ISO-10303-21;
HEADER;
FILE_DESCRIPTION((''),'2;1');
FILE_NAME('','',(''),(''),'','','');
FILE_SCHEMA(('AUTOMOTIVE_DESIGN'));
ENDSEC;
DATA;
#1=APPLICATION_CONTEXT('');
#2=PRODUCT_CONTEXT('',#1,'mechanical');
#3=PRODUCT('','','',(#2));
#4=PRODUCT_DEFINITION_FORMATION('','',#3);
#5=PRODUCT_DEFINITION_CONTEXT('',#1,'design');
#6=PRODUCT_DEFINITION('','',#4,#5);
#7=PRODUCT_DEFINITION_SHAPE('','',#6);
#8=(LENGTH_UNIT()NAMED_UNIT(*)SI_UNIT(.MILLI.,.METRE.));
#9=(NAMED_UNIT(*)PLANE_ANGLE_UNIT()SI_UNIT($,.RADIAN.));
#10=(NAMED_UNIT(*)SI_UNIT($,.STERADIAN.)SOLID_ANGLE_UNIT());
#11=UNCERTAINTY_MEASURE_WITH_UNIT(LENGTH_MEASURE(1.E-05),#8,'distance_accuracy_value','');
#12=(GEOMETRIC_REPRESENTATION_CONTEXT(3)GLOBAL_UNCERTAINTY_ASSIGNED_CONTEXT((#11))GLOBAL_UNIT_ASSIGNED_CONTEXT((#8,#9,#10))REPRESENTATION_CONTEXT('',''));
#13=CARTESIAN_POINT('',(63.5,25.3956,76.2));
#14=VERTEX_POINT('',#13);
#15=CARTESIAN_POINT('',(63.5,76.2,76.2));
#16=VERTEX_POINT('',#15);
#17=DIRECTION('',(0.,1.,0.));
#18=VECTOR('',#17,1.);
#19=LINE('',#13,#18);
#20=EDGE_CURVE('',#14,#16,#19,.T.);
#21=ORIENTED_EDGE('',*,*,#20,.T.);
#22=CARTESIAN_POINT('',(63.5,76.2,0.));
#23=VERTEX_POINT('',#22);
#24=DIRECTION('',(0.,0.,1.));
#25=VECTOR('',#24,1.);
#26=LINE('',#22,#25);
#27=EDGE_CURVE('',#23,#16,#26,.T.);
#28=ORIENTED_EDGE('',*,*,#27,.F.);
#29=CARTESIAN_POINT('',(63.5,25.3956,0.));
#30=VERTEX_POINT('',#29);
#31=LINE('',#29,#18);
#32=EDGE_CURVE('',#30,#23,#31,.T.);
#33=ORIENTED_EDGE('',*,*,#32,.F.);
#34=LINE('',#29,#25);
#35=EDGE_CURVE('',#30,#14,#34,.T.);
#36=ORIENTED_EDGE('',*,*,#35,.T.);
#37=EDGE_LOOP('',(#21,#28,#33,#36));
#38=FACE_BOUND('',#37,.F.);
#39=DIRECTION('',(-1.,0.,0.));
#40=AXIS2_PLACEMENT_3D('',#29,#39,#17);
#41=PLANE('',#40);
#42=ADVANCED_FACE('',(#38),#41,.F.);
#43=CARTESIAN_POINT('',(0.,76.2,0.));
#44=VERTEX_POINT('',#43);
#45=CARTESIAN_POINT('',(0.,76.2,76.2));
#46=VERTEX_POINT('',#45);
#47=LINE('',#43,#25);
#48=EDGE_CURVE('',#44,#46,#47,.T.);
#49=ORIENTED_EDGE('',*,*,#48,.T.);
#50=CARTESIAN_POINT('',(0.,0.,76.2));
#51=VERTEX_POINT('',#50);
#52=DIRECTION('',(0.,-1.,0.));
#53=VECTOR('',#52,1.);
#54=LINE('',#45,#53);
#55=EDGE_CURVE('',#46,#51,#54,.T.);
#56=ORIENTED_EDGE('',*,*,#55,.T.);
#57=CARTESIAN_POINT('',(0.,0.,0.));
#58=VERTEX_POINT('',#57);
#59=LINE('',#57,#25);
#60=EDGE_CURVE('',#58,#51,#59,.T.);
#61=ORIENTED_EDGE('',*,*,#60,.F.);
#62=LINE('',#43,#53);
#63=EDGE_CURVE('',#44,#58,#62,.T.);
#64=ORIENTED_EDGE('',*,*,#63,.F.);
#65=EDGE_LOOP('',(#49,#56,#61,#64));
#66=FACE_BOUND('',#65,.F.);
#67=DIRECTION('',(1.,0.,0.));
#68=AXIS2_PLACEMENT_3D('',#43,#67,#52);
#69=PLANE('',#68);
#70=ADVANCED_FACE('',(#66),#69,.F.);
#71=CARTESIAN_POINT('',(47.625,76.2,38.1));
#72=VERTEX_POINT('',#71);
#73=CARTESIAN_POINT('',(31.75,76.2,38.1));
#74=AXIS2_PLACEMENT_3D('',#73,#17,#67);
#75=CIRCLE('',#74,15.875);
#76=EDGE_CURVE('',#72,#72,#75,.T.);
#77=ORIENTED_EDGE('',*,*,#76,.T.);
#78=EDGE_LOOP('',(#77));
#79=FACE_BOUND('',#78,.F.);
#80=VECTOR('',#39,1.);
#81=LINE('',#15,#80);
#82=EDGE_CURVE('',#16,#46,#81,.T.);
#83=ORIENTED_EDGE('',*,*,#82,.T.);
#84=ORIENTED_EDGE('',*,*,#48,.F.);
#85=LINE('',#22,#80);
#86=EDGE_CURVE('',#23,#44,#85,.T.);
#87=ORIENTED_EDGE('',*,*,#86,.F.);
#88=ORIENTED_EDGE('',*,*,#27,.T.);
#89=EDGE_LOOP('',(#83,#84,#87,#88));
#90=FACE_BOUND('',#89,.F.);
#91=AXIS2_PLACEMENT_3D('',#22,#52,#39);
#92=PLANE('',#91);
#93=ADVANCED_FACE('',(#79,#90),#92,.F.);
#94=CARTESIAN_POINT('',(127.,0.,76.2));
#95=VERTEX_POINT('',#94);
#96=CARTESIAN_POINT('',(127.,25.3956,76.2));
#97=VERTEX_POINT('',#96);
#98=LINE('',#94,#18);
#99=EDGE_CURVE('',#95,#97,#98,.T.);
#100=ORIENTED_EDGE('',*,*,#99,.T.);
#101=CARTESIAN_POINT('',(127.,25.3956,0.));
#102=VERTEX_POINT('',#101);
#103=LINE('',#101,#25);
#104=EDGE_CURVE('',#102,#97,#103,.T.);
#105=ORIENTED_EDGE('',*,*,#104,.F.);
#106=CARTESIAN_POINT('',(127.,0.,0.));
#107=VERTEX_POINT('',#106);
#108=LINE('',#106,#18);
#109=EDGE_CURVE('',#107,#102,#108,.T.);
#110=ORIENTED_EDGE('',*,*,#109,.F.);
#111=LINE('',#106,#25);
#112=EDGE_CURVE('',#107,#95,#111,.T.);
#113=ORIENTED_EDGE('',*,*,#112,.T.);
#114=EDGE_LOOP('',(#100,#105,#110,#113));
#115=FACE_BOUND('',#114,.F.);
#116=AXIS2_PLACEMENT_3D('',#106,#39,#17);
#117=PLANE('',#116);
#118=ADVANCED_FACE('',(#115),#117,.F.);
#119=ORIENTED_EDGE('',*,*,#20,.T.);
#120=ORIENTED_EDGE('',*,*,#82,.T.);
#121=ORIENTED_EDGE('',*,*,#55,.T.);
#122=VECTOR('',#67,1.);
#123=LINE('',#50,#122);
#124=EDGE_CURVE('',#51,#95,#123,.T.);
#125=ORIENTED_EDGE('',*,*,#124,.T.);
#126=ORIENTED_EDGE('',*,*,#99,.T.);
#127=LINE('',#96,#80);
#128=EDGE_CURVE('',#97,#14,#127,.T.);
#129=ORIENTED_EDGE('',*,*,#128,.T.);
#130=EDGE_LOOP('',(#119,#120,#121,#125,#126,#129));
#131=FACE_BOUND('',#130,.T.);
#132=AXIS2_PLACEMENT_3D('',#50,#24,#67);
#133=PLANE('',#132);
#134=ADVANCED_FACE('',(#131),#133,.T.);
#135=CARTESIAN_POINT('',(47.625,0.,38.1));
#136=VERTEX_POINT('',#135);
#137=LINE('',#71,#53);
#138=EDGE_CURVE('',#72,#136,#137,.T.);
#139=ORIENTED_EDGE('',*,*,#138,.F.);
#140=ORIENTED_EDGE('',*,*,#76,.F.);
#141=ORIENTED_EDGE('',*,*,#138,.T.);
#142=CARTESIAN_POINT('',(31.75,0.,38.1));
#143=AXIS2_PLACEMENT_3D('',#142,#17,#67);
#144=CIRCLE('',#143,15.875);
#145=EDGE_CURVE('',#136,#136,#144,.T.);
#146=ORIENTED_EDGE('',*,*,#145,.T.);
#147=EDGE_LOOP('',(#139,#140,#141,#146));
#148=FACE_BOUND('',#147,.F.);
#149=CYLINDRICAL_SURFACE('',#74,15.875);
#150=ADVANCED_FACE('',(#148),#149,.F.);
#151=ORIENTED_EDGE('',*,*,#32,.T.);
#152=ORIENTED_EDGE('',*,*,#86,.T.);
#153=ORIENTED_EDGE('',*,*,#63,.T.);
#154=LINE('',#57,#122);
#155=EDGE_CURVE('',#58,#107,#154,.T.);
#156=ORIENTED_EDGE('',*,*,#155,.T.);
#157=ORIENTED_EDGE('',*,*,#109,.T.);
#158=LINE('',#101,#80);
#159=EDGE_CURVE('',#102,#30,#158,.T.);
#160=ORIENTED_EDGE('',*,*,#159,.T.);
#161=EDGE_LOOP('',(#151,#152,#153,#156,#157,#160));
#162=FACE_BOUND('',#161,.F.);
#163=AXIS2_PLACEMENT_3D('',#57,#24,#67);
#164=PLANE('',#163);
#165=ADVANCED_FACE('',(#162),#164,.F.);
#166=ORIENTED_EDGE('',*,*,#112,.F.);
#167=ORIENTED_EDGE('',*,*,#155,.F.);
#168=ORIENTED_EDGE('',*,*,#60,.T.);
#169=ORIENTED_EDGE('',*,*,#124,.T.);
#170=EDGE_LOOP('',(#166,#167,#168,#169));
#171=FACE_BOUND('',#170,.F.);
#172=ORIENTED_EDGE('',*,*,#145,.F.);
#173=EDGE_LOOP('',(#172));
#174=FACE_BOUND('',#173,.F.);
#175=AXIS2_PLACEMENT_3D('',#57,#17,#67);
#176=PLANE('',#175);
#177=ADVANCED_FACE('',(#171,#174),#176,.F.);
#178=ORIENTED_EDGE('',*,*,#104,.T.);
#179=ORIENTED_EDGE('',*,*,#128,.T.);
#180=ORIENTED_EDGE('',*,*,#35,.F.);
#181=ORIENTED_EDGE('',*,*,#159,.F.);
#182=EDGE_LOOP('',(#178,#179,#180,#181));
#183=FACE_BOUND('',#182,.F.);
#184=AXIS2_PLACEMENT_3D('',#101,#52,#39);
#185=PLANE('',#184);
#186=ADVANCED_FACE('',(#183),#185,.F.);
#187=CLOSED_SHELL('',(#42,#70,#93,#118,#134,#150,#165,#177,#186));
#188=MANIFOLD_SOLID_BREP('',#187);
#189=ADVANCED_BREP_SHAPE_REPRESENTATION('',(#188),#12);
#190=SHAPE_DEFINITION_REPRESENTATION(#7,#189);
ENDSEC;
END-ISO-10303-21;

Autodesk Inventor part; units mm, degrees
ref_plane "YZ Plane" through (0, 0, 0) normal (1, 0, 0) x (0, 1, 0)
ref_plane "XZ Plane" through (0, 0, 0) normal (0, 1, 0) x (-1, 0, 0)
ref_plane "XY Plane" through (0, 0, 0) normal (0, 0, 1) x (1, 0, 0)
sketch "Sketch1" plane through (0, 0, 0) normal (0, 0, 1) x (1, 0, 0)
  line L0 (0, 0) -> (127, 0)
  line L1 (127, 0) -> (127, 25.3956)
  line L2 (127, 25.3956) -> (63.5, 25.3956)
  line L3 (63.5, 25.3956) -> (63.5, 76.2)
  line L4 (63.5, 76.2) -> (0, 76.2)
  line L5 (0, 76.2) -> (0, 0)
  dimension "d0" = 127
  dimension "d16" = 63.5
  dimension "d17" = 25.3956
  dimension "d18" = 76.2
extrude "Extrusion1" add sketch "Sketch1" along normal blind 76.2
sketch "Sketch2" plane through (0, 76.2, 0) normal (0, 1, 0) x (1, 0, 0)
  circle A0 centre (31.75, -38.1) radius 15.875
  dimension "d3" = 31.75
extrude "Extrusion2" cut sketch "Sketch2" against normal through all
properties part number "SamplePart"
